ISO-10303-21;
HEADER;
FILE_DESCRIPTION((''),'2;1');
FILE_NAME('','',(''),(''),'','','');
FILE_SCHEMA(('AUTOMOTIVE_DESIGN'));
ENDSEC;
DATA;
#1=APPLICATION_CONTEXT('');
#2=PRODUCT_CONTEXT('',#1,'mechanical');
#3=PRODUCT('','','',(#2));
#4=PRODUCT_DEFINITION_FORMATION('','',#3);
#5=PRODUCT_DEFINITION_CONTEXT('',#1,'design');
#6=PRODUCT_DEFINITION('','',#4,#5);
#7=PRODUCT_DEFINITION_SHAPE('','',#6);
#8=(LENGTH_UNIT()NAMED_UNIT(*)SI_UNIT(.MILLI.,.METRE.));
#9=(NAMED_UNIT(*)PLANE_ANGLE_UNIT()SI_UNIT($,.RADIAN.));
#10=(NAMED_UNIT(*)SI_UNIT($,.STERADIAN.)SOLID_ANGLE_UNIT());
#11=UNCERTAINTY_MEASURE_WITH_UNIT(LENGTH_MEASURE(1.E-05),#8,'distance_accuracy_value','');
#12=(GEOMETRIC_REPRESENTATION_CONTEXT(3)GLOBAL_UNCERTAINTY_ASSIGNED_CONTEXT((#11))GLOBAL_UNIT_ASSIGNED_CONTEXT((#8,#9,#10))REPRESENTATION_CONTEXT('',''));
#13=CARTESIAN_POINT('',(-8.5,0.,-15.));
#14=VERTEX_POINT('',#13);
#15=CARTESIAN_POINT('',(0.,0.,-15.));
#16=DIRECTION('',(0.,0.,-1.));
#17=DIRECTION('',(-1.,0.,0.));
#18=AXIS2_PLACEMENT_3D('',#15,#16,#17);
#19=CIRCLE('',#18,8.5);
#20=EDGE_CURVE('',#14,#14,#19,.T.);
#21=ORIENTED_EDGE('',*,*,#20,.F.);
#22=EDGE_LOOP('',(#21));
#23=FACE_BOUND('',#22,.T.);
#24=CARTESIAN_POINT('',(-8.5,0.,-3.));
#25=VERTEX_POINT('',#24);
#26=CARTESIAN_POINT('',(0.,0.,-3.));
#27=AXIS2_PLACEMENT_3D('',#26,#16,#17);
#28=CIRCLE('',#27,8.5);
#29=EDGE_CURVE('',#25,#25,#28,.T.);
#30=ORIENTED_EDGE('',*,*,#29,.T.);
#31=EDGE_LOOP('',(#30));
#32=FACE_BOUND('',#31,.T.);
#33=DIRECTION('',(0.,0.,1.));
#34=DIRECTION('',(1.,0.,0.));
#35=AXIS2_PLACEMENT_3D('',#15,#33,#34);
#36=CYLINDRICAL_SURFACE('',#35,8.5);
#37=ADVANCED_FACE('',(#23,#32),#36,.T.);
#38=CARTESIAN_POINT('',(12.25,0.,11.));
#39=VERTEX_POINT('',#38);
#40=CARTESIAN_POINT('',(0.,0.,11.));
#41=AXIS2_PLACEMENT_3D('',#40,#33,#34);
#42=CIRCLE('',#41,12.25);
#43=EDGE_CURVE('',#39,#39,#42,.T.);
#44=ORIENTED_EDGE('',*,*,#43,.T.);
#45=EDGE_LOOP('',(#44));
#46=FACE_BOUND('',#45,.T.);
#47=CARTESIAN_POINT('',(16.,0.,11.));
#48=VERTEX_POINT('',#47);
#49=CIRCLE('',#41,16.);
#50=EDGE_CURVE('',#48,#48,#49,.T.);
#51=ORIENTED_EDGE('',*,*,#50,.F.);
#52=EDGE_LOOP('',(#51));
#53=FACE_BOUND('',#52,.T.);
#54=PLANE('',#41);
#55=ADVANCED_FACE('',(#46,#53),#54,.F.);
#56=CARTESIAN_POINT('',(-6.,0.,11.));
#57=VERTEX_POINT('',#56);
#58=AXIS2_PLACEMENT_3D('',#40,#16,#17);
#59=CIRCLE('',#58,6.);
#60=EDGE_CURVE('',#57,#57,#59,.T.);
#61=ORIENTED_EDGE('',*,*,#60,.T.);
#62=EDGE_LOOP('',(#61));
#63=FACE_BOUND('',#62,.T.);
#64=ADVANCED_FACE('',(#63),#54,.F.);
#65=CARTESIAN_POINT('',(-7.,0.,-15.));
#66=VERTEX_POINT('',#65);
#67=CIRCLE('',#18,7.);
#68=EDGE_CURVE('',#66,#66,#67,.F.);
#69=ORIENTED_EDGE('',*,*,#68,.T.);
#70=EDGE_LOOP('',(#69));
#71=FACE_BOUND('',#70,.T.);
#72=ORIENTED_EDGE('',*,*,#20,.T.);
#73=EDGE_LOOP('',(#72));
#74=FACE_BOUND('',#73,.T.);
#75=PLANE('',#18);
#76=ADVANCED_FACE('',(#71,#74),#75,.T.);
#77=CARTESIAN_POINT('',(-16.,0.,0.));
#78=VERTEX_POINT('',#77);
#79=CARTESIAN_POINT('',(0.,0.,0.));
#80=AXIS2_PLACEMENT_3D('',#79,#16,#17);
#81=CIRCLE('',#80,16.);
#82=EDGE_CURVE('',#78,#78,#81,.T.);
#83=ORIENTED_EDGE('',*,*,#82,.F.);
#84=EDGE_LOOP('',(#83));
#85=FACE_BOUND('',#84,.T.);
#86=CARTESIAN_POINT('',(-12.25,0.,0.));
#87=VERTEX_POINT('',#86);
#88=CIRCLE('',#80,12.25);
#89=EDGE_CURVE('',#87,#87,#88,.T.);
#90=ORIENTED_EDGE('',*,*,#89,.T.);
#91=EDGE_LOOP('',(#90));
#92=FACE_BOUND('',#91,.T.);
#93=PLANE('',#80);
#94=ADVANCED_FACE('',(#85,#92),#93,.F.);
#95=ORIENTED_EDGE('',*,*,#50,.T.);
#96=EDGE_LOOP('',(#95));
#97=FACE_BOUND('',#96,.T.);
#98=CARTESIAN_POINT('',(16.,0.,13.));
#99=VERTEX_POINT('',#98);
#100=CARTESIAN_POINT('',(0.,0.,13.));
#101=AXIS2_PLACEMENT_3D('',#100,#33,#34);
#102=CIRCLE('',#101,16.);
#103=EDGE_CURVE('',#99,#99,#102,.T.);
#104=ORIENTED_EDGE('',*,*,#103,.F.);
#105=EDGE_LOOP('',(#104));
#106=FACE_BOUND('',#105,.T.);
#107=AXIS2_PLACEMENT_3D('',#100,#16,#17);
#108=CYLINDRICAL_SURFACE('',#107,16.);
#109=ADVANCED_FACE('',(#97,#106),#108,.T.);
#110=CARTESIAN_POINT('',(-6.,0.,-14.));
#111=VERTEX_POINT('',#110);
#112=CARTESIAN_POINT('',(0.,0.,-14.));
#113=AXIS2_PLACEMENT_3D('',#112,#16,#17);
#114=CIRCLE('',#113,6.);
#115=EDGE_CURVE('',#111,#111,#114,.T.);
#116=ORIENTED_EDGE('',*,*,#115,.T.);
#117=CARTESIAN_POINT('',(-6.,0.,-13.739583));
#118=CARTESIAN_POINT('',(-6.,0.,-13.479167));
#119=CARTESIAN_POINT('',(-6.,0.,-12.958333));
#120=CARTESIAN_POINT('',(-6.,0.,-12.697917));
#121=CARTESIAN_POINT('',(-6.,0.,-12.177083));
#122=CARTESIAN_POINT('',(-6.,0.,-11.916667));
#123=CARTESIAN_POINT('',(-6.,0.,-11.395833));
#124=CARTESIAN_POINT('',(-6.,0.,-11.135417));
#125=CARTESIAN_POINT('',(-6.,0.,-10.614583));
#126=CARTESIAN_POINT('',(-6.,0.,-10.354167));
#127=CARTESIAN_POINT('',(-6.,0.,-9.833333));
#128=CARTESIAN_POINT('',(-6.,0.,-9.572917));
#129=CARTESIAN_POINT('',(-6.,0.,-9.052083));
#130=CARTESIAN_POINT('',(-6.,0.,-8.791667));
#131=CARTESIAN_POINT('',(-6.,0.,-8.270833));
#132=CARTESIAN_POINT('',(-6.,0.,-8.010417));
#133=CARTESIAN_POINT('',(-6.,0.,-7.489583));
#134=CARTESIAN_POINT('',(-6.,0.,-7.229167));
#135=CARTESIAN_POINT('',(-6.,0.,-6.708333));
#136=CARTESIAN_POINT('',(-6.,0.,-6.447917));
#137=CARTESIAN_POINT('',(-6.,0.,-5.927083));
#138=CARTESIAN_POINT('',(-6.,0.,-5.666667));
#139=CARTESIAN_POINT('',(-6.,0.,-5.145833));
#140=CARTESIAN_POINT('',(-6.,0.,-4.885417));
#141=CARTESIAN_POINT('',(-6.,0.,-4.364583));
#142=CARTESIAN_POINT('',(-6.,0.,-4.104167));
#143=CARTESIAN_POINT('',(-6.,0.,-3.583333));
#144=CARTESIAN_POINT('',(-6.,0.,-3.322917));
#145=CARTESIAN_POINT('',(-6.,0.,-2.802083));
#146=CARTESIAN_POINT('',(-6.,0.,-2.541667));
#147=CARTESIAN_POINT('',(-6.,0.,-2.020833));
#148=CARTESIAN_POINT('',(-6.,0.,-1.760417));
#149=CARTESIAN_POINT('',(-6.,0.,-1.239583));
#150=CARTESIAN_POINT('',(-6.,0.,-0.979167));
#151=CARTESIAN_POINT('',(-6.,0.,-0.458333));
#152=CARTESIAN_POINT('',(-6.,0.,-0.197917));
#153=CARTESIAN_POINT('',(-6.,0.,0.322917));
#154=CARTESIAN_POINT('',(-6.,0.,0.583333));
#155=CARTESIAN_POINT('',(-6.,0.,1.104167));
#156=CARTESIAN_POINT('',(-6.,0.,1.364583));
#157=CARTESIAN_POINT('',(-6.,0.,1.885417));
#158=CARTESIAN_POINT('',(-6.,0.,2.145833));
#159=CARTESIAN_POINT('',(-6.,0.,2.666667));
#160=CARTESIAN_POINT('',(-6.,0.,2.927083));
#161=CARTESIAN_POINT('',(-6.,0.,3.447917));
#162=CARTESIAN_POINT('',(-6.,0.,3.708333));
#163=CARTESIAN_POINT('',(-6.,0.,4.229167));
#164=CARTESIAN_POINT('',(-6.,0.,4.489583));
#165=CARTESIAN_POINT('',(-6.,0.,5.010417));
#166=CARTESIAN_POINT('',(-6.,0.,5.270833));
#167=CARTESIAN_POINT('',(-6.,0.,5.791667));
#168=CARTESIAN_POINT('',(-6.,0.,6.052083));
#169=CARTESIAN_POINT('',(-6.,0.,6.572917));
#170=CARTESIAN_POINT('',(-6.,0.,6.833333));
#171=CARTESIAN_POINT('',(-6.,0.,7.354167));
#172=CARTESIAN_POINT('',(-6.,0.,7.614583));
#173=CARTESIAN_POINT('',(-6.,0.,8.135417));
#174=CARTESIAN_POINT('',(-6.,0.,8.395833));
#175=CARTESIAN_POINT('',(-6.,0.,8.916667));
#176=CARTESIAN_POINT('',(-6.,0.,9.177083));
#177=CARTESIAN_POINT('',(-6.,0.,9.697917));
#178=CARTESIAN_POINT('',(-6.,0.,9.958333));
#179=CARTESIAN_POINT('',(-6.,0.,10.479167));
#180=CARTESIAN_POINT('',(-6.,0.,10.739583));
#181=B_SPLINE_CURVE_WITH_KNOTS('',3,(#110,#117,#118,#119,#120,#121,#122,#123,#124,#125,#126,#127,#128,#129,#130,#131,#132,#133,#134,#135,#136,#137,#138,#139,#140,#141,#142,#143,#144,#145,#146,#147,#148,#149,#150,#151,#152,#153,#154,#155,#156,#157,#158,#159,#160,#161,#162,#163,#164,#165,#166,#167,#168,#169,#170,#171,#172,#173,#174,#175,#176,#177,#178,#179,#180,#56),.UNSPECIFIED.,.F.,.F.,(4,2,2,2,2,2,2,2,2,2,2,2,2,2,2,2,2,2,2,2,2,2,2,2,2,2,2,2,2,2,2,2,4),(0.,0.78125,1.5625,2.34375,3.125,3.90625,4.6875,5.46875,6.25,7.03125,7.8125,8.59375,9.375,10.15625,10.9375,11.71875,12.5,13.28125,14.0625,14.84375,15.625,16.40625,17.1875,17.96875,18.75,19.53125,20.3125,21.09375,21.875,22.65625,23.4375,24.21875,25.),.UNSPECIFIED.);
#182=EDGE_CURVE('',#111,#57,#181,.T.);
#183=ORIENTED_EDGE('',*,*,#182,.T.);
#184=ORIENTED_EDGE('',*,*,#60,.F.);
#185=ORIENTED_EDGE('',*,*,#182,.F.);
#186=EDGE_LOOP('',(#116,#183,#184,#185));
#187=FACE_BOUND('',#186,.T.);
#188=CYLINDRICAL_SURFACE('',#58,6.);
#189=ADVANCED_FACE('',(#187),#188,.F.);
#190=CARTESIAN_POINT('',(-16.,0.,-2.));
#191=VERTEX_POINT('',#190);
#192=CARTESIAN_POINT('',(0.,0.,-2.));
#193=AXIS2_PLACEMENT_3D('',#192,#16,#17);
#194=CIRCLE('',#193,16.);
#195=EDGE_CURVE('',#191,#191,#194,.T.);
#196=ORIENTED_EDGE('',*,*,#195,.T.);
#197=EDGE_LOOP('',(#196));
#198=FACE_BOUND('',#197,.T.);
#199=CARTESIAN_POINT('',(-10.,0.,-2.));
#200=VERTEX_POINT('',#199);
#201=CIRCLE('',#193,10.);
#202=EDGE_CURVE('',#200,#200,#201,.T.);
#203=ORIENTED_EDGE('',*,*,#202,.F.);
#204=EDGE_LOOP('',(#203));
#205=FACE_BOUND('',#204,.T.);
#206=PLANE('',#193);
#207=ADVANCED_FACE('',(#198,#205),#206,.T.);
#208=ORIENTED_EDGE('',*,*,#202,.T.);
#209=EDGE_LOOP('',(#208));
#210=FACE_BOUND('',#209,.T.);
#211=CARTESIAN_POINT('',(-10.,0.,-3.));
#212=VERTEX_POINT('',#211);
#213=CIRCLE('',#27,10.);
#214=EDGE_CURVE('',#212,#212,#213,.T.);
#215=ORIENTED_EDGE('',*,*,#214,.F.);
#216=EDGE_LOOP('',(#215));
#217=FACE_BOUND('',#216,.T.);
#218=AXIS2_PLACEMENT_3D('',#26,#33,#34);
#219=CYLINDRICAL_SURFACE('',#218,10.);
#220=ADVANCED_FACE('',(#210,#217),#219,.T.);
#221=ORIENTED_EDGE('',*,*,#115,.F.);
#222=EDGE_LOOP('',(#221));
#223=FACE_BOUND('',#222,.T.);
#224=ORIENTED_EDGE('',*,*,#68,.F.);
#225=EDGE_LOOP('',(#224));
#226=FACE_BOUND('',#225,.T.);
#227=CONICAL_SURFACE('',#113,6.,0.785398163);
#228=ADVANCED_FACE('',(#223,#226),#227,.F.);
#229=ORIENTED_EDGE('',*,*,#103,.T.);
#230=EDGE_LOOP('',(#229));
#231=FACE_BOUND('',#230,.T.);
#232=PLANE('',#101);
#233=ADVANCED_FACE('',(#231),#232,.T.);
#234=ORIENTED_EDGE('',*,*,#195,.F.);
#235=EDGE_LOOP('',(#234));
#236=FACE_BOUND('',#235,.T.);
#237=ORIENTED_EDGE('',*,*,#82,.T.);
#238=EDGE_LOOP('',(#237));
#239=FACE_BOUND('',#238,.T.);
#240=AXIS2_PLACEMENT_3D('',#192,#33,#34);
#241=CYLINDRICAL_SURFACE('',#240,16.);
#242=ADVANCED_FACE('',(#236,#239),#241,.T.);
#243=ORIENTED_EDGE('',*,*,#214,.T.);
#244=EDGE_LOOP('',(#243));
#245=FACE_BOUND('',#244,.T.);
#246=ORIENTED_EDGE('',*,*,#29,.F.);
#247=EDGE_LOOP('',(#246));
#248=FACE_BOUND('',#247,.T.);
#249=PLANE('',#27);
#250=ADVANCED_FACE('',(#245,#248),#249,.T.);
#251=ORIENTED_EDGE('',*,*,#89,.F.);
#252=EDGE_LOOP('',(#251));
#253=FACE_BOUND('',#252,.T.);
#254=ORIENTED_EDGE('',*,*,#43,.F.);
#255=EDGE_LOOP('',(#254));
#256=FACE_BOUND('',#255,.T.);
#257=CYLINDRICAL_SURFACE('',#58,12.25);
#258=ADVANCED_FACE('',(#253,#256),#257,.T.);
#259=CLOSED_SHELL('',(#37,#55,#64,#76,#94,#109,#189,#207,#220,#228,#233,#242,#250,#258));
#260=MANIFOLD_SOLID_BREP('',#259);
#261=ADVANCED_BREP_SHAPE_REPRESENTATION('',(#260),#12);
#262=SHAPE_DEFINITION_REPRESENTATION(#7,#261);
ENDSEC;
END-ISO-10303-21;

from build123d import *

# Parameters (mm, degrees)
SKETCH1_R           = 12.25
BOSS_EXTRUDE1_DEPTH = 11
SKETCH2_R           = 16
BOSS_EXTRUDE2_DEPTH = 2
SKETCH4_R           = 10
BOSS_EXTRUDE4_DEPTH = 1
SKETCH5_R           = 8.5
BOSS_EXTRUDE5_DEPTH = 12
SKETCH6_R           = 6
CUT_EXTRUDE1_DEPTH  = 35.467375879
CHAMFER1_SIZE       = 1
BOSS_EXTRUDE6_START = 2
SKETCH3_R           = 16
BOSS_EXTRUDE6_DEPTH = 2


with BuildPart() as part:
    # Sketch1 → Boss-Extrude1 (new body)
    with BuildSketch(Plane.XY):
        Circle(SKETCH1_R)
    extrude(amount=BOSS_EXTRUDE1_DEPTH)

    # Sketch2 → Boss-Extrude2 (add)
    with BuildSketch(Plane(origin=(0, 0, 0), x_dir=(-1, 0, 0), z_dir=(0, 0, -1))):
        Circle(SKETCH2_R)
    extrude(amount=BOSS_EXTRUDE2_DEPTH)

    # Sketch4 → Boss-Extrude4 (add)
    with BuildSketch(Plane(origin=(0, 0, -2), x_dir=(-1, 0, 0), z_dir=(0, 0, -1))):
        Circle(SKETCH4_R)
    extrude(amount=BOSS_EXTRUDE4_DEPTH)

    # Sketch5 → Boss-Extrude5 (add)
    with BuildSketch(Plane(origin=(0, 0, -3), x_dir=(-1, 0, 0), z_dir=(0, 0, -1))):
        Circle(SKETCH5_R)
    extrude(amount=BOSS_EXTRUDE5_DEPTH)

    # Sketch6 → Cut-Extrude1 (cut, through all)
    with BuildSketch(Plane(origin=(0, 0, -15), x_dir=(-1, 0, 0), z_dir=(0, 0, -1))):
        Circle(SKETCH6_R)
    extrude(amount=-CUT_EXTRUDE1_DEPTH, mode=Mode.SUBTRACT)

    # Chamfer1
    chamfer1_edges = [part.edges().sort_by_distance(p)[0] for p in [
        (6, 0, -15),
    ]]
    chamfer(chamfer1_edges, length=CHAMFER1_SIZE)

    # Sketch3 → Boss-Extrude6 (add)
    with BuildSketch(Plane.XY.offset(11).offset(BOSS_EXTRUDE6_START)):
        with Locations(Location((0, 0, 0), (0, 0, 180))):
            Circle(SKETCH3_R)
    extrude(amount=-BOSS_EXTRUDE6_DEPTH)


solid = part.part
